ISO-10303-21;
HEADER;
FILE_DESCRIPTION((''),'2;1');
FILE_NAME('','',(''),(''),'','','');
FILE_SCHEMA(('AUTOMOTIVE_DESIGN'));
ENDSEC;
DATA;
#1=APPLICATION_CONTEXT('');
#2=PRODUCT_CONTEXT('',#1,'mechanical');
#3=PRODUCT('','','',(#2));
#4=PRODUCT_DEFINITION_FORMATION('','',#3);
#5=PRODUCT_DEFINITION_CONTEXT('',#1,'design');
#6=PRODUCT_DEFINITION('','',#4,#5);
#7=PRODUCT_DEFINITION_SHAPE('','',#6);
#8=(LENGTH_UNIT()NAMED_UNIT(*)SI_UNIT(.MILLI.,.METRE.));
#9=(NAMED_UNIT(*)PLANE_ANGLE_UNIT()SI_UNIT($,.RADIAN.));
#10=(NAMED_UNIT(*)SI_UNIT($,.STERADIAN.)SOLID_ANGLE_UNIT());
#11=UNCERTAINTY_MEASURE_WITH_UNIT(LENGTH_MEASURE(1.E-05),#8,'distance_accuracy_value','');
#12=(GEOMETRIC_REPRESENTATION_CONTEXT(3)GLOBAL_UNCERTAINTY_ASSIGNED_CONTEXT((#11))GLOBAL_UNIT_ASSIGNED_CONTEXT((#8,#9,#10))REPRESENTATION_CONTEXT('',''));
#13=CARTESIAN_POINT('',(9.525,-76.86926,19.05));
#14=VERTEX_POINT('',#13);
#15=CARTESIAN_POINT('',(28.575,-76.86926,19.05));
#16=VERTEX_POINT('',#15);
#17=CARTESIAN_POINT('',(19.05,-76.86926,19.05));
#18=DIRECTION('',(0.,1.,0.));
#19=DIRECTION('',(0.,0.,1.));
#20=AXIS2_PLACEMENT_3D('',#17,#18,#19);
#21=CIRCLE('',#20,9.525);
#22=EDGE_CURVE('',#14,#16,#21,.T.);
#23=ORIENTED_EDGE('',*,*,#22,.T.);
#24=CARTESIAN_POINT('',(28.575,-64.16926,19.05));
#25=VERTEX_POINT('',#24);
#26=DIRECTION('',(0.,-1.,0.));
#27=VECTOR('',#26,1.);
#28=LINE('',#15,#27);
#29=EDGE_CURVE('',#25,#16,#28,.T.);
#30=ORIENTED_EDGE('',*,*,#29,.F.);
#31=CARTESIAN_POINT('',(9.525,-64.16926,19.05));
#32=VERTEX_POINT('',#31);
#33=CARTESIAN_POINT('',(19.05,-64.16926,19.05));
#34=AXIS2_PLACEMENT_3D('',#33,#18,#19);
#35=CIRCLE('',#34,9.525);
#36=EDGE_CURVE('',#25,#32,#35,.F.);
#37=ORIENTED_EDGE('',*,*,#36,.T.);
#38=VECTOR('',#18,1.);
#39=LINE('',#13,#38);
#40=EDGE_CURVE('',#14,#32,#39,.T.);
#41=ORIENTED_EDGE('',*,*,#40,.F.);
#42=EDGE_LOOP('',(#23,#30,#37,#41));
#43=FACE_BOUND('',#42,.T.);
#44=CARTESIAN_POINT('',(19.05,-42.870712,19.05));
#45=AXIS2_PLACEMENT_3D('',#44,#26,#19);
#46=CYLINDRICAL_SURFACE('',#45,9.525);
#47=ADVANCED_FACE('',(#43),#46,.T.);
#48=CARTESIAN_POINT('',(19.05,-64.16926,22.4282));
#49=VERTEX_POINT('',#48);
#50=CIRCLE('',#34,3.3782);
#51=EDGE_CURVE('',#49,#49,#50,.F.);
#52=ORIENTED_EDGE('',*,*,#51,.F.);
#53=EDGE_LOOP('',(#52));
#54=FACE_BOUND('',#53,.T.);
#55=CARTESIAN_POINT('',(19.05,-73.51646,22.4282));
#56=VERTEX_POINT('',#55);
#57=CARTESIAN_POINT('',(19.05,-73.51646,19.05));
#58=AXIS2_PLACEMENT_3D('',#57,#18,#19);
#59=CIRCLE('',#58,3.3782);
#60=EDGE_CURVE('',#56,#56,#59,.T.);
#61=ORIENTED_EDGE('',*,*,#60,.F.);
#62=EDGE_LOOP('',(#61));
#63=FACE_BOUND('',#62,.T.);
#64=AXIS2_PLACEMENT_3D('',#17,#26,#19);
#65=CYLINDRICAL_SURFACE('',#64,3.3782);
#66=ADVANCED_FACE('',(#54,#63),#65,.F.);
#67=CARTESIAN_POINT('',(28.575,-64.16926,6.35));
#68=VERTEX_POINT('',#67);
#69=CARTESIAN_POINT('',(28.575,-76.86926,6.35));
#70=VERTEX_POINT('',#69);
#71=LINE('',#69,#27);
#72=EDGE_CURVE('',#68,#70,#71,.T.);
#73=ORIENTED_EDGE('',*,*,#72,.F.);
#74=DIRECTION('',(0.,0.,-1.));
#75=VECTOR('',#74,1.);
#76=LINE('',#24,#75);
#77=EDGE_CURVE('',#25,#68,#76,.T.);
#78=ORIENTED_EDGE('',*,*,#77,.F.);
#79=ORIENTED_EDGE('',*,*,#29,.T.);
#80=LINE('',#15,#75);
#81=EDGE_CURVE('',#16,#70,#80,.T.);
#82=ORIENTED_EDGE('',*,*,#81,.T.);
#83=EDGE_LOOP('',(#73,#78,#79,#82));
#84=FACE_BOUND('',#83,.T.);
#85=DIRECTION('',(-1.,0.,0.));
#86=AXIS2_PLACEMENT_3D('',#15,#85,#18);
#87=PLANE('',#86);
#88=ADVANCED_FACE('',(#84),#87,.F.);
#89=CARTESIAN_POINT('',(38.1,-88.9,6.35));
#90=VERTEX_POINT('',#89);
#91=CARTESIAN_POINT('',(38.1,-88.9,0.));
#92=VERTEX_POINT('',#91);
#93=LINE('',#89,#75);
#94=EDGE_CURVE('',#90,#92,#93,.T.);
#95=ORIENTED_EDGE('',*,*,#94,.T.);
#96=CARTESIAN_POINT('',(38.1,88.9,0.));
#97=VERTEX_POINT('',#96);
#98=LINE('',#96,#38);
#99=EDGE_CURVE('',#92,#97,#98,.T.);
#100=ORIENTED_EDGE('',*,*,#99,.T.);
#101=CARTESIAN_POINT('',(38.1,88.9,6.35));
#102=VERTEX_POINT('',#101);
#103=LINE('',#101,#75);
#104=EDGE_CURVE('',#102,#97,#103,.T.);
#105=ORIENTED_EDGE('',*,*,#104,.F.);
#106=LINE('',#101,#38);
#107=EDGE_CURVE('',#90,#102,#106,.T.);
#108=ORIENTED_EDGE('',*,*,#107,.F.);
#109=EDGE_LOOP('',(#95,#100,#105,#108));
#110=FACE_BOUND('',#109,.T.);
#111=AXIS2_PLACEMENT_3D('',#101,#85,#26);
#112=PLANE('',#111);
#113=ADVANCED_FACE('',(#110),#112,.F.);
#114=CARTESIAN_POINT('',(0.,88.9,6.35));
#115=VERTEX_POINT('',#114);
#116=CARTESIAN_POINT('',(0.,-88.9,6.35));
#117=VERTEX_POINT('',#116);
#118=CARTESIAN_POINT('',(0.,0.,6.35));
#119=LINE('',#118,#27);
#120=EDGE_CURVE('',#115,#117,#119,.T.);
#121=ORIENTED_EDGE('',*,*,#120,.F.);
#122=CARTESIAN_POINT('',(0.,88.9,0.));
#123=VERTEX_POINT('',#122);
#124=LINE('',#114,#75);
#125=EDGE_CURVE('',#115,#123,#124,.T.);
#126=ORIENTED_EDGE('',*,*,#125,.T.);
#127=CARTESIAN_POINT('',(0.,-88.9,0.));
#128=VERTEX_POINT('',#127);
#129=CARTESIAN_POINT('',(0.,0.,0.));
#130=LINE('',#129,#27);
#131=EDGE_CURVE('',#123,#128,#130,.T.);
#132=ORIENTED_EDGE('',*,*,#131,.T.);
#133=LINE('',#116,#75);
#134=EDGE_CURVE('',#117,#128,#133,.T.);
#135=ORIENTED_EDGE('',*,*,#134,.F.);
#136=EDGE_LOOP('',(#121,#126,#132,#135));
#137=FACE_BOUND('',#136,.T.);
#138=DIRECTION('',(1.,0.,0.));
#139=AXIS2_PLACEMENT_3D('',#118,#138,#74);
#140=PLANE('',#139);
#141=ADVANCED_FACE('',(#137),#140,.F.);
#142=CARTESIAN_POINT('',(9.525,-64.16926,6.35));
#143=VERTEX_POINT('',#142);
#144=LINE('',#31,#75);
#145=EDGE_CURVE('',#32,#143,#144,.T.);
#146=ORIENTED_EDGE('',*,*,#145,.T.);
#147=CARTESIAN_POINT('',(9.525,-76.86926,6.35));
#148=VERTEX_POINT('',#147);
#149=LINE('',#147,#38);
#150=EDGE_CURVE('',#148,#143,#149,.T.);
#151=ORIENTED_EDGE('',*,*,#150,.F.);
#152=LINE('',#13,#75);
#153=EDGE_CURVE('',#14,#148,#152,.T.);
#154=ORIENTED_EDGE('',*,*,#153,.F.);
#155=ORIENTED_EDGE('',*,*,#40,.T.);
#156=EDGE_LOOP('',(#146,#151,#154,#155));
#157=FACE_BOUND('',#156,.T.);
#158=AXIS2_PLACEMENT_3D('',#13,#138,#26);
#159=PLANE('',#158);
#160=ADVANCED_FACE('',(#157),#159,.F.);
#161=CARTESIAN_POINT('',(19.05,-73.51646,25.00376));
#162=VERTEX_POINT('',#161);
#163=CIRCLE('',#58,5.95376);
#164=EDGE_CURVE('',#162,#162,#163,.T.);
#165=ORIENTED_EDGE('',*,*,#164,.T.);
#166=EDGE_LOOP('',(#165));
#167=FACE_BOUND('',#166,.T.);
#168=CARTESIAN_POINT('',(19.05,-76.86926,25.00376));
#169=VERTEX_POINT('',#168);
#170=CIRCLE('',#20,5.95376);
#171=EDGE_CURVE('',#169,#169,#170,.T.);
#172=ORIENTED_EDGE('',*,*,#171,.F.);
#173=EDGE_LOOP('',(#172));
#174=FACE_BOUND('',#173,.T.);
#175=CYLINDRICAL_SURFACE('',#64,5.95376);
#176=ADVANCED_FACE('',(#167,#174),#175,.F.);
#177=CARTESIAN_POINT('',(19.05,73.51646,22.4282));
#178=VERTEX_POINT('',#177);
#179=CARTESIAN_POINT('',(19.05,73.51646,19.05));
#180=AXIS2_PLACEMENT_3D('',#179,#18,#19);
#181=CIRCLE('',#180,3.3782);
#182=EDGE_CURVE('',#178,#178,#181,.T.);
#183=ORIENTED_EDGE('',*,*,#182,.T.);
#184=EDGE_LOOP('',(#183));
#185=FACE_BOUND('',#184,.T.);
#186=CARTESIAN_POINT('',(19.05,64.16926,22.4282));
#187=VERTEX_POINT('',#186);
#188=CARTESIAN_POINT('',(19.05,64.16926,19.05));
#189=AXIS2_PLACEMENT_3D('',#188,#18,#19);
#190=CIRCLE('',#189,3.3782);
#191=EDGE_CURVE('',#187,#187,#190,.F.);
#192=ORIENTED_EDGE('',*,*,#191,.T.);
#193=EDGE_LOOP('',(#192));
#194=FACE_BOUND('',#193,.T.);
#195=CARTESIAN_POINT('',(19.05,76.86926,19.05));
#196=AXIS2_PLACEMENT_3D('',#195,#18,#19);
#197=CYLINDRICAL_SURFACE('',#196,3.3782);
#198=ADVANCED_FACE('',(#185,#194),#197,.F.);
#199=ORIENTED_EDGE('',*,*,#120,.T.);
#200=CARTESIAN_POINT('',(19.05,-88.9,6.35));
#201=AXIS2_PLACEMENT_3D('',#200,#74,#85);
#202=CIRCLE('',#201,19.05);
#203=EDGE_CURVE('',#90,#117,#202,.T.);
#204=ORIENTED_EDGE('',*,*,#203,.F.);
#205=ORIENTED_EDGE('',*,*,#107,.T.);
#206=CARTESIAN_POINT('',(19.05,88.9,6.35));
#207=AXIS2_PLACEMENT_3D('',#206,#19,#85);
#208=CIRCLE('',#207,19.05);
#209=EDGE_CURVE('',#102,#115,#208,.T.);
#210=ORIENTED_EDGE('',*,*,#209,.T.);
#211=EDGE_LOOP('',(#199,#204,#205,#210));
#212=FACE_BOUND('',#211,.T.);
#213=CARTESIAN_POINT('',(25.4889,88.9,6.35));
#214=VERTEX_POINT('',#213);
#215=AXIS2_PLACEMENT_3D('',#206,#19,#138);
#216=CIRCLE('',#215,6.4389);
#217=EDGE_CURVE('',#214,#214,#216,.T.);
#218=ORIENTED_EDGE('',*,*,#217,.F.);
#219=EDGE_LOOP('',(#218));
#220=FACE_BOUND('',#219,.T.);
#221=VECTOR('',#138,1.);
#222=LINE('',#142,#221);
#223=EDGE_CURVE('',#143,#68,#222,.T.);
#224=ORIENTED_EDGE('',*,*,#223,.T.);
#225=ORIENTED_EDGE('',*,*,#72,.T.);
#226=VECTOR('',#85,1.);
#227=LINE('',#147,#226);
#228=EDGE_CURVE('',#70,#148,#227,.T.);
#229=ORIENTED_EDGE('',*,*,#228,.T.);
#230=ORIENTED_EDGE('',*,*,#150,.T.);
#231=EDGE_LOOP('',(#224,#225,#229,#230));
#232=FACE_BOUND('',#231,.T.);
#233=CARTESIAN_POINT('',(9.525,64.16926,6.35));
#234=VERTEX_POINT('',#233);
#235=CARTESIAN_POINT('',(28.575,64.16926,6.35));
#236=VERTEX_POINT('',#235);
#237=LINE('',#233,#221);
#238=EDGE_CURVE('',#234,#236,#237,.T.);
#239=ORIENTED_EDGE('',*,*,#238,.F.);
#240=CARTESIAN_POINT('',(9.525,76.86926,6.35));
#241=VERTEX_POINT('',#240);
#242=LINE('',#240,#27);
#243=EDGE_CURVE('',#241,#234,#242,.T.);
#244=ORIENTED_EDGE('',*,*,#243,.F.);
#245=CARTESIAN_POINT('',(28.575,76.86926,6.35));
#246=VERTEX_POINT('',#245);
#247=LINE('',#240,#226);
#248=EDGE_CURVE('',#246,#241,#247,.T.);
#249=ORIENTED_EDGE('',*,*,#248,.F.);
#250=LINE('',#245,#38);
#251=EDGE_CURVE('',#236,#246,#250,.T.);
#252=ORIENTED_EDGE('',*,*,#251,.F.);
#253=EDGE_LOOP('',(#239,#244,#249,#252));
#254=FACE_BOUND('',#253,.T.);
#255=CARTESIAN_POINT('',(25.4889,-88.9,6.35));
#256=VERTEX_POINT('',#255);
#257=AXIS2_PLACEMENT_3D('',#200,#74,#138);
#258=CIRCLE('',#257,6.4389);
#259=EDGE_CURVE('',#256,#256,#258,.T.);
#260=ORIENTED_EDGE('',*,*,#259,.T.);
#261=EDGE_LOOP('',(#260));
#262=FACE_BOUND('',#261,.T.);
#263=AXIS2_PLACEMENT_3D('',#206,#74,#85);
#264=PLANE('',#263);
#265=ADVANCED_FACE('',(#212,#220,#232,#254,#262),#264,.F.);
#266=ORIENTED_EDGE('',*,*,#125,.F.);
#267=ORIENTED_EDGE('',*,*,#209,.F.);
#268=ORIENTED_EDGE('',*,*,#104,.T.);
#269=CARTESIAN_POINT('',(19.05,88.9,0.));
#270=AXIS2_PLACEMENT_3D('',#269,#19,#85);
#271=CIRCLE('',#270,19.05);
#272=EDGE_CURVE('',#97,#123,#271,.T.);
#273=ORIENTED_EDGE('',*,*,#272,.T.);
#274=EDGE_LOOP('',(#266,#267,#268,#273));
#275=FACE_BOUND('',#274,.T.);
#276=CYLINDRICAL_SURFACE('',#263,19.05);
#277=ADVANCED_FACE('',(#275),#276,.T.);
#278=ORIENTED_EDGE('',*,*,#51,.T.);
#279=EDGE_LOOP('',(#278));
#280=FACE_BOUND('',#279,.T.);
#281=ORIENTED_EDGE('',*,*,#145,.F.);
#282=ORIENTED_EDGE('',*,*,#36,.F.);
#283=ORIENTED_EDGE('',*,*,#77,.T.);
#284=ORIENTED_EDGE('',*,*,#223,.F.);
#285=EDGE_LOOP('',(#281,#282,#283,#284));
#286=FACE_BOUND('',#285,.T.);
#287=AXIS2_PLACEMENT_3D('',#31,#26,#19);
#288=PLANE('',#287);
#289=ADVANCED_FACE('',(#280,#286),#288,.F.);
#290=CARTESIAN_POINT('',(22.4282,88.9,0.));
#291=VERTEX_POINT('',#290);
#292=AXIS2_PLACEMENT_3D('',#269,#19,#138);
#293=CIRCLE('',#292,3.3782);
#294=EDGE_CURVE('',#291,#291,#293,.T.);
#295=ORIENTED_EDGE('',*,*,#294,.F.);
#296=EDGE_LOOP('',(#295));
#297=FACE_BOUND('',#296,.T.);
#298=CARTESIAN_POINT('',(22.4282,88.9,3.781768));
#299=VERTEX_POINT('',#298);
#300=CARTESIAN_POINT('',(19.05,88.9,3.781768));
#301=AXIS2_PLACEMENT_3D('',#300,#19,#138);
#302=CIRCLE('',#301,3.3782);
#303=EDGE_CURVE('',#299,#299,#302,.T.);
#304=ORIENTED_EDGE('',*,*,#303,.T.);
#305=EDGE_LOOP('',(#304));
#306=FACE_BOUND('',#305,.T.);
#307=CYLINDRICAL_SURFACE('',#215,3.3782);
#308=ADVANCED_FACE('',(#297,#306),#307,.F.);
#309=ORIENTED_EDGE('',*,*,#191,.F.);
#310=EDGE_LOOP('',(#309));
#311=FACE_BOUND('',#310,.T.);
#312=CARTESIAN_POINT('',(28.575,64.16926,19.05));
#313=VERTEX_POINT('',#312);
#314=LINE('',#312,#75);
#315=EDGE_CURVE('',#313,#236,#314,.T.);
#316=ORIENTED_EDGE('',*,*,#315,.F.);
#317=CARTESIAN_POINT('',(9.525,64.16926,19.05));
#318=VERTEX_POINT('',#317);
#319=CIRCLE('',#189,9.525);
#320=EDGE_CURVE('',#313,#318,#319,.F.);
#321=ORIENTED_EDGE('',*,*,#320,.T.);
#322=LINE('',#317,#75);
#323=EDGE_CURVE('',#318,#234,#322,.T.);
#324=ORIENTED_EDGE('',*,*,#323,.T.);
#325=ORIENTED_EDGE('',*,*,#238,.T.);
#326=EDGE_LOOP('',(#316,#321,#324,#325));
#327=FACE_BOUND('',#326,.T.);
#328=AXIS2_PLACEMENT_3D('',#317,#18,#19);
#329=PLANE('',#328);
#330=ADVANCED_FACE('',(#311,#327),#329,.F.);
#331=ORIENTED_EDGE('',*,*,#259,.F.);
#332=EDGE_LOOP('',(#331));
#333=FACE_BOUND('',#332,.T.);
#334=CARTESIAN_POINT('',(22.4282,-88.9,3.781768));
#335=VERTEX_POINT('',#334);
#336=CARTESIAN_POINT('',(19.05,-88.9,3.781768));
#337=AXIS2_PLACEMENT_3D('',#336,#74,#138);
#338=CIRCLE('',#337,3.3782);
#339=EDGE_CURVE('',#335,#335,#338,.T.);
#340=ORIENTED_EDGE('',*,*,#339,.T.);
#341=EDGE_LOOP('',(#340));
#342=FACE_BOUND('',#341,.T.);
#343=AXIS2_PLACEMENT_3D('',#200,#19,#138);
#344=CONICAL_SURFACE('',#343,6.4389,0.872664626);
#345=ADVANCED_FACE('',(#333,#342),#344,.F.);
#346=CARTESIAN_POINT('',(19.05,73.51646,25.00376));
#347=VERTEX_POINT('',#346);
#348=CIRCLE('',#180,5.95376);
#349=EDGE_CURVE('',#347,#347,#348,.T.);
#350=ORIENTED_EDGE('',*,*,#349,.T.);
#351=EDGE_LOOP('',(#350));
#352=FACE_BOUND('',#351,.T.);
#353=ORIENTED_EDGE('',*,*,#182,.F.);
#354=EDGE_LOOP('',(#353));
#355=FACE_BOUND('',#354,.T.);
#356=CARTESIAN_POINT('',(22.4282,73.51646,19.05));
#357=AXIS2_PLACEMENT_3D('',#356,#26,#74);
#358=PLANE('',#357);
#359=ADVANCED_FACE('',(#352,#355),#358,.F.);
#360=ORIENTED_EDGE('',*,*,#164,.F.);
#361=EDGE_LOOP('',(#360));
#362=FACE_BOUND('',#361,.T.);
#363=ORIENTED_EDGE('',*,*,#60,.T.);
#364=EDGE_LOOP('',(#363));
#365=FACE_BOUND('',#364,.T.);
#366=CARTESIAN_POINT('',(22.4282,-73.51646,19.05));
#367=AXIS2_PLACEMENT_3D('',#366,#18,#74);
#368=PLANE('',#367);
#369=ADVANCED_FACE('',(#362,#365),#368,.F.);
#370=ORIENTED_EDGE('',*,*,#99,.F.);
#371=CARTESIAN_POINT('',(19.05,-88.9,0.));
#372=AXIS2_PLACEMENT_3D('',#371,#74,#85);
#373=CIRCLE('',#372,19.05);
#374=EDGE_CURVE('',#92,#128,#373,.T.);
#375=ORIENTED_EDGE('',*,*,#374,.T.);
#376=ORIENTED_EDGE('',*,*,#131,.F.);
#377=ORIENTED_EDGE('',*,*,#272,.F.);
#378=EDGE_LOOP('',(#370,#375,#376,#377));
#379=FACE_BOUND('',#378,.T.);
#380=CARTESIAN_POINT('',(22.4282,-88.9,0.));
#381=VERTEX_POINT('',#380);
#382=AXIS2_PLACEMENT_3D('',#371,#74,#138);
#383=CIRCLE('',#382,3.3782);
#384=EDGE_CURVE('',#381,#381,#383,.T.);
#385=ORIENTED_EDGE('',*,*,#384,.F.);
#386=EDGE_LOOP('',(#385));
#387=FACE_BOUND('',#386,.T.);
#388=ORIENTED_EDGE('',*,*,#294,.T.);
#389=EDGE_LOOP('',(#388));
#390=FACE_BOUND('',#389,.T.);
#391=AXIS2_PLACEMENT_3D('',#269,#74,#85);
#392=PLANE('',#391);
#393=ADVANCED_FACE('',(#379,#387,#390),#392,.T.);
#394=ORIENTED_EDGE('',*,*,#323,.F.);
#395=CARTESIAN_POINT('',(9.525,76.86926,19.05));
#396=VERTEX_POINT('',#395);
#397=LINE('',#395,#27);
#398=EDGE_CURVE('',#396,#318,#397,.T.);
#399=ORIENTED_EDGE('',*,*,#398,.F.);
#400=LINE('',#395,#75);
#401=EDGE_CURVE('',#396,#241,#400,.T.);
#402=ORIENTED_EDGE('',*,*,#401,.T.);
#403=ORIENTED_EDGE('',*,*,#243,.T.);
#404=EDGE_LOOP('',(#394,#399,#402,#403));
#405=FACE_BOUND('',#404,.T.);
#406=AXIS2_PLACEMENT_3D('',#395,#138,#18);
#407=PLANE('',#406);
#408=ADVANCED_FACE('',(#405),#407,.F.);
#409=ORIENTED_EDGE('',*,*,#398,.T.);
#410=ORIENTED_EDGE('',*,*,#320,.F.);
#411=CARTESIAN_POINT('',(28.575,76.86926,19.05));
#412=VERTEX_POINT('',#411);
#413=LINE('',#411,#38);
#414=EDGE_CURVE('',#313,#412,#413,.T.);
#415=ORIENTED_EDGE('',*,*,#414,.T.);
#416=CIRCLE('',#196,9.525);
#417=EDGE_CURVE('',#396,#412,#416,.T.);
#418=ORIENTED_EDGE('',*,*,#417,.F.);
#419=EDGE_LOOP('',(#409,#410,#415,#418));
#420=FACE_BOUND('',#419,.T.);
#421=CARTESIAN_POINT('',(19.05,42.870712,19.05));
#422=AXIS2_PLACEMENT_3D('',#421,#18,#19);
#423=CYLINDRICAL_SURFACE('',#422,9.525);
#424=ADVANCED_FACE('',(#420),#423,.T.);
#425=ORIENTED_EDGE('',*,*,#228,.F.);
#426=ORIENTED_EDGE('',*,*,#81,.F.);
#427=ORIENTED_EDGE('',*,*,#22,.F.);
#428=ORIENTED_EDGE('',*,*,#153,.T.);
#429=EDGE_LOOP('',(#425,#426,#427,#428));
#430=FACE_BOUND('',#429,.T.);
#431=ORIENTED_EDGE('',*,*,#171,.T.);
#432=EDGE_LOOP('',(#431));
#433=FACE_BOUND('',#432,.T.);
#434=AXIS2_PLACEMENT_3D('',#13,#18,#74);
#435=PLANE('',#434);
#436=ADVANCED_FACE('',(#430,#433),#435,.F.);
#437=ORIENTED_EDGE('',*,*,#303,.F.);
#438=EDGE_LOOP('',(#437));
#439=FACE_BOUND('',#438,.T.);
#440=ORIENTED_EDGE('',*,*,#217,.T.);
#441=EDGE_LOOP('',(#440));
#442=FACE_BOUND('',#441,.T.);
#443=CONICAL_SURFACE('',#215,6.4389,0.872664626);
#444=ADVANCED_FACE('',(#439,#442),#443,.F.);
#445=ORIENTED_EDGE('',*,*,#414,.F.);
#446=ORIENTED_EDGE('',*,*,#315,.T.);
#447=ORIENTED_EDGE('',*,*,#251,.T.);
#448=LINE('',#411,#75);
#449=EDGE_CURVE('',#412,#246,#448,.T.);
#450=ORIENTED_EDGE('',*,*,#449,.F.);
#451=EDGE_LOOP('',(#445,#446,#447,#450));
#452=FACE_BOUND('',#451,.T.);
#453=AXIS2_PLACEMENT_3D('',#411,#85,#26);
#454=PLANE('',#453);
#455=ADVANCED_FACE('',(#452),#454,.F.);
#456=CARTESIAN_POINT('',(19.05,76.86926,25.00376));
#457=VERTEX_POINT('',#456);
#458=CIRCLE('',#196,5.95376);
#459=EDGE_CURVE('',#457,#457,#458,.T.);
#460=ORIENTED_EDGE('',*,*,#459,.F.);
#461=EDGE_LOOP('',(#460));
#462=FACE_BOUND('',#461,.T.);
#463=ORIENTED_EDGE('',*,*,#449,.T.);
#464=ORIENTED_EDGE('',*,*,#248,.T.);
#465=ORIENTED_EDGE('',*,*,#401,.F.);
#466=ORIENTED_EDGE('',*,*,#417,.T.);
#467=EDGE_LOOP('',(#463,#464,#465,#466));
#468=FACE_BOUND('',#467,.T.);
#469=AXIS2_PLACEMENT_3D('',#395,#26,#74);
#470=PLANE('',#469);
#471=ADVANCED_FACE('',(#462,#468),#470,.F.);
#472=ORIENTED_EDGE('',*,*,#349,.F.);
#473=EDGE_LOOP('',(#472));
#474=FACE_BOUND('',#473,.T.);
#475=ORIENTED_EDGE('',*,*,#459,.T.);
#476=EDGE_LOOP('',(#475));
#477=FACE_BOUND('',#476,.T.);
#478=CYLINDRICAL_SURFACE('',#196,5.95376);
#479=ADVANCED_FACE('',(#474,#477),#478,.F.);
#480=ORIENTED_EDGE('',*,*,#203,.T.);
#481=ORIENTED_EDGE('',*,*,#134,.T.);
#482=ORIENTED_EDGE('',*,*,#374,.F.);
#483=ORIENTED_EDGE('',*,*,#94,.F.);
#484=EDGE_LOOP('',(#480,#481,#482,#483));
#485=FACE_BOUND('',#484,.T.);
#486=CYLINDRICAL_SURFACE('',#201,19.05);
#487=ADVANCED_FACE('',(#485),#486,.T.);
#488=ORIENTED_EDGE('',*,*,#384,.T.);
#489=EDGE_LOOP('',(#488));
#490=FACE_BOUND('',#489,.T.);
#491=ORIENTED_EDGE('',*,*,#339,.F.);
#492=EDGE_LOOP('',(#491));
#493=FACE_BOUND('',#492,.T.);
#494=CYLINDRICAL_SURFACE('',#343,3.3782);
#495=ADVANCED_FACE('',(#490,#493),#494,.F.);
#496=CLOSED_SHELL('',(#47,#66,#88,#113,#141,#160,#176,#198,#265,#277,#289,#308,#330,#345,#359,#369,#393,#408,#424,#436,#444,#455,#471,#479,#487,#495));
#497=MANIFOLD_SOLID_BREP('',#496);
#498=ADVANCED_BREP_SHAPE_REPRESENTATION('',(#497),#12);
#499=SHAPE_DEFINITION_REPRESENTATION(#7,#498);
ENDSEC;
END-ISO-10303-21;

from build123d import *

# Parameters (mm, degrees)
BOSS_EXTRUDE1_DEPTH                                 = 6.35
CSK_FOR_1_4_FLAT_HEAD_MACHINE_SCREW_100_D           = 6.7564
CSK_FOR_1_4_FLAT_HEAD_MACHINE_SCREW_100_CSINK_D     = 12.8778
CSK_FOR_1_4_FLAT_HEAD_MACHINE_SCREW_100_CSINK_ANGLE = 100
SKETCH6_W                                           = 19.05
SKETCH6_H                                           = 12.7
BOSS_EXTRUDE2_DEPTH                                 = 12.7
BOSS_EXTRUDE3_DEPTH                                 = 12.7
CBORE_FOR_1_4_BUTTON_HEAD_CAP_SCREW1_D              = 6.7564
CBORE_FOR_1_4_BUTTON_HEAD_CAP_SCREW1_CBORE_D        = 11.90752
CBORE_FOR_1_4_BUTTON_HEAD_CAP_SCREW1_CBORE_DEPTH    = 3.3528


with BuildPart() as part:
    # Sketch1 → Boss-Extrude1 (new body)
    with BuildSketch(Plane.XY):
        with BuildLine():
            Line((0, 0), (0, 88.9))
            ThreePointArc((0, 88.9), (19.05, 107.95), (38.1, 88.9))
            Line((38.1, 88.9), (38.1, 0))
            Line((38.1, 0), (0, 0))
        make_face()
    extrude(amount=BOSS_EXTRUDE1_DEPTH)

    # CSK for 1/4 Flat Head Machine Screw (100)1 (through all)
    with Locations(Plane.XY.offset(6.35)):
        with Locations((19.05, 88.9)):
            CounterSinkHole(CSK_FOR_1_4_FLAT_HEAD_MACHINE_SCREW_100_D / 2, CSK_FOR_1_4_FLAT_HEAD_MACHINE_SCREW_100_CSINK_D / 2, counter_sink_angle=CSK_FOR_1_4_FLAT_HEAD_MACHINE_SCREW_100_CSINK_ANGLE)

    # Sketch6 → Boss-Extrude2 (add)
    with BuildSketch(Plane.XY.offset(6.35)):
        with Locations((19.05, 70.519259932)):
            Rectangle(SKETCH6_W, SKETCH6_H)
    extrude(amount=BOSS_EXTRUDE2_DEPTH)

    # Sketch10 → Boss-Extrude3 (add)
    with BuildSketch(Plane(origin=(0, 76.869259932, 0), x_dir=(1, 0, 0), z_dir=(0, 1, 0))):
        with BuildLine():
            Line((9.525, -19.05), (28.575, -19.05))
            ThreePointArc((28.575, -19.05), (19.05, -28.575), (9.525, -19.05))
        make_face()
    extrude(amount=-BOSS_EXTRUDE3_DEPTH)

    # CBORE for 1/4 Button Head Cap Screw1 (through all)
    with Locations(Plane(origin=(0, 76.869259932, 0), x_dir=(1, 0, 0), z_dir=(0, 1, 0))):
        with Locations((19.05, -19.05)):
            CounterBoreHole(CBORE_FOR_1_4_BUTTON_HEAD_CAP_SCREW1_D / 2, CBORE_FOR_1_4_BUTTON_HEAD_CAP_SCREW1_CBORE_D / 2, CBORE_FOR_1_4_BUTTON_HEAD_CAP_SCREW1_CBORE_DEPTH)

    # Mirror1: part across plane


with BuildPart() as part_1:
    add(part.part)
    add(part.part.mirror(Plane(origin=(0, 0, 6.35), x_dir=(0, 0, 1), z_dir=(0, 1, 0))))


solid = part_1.part
